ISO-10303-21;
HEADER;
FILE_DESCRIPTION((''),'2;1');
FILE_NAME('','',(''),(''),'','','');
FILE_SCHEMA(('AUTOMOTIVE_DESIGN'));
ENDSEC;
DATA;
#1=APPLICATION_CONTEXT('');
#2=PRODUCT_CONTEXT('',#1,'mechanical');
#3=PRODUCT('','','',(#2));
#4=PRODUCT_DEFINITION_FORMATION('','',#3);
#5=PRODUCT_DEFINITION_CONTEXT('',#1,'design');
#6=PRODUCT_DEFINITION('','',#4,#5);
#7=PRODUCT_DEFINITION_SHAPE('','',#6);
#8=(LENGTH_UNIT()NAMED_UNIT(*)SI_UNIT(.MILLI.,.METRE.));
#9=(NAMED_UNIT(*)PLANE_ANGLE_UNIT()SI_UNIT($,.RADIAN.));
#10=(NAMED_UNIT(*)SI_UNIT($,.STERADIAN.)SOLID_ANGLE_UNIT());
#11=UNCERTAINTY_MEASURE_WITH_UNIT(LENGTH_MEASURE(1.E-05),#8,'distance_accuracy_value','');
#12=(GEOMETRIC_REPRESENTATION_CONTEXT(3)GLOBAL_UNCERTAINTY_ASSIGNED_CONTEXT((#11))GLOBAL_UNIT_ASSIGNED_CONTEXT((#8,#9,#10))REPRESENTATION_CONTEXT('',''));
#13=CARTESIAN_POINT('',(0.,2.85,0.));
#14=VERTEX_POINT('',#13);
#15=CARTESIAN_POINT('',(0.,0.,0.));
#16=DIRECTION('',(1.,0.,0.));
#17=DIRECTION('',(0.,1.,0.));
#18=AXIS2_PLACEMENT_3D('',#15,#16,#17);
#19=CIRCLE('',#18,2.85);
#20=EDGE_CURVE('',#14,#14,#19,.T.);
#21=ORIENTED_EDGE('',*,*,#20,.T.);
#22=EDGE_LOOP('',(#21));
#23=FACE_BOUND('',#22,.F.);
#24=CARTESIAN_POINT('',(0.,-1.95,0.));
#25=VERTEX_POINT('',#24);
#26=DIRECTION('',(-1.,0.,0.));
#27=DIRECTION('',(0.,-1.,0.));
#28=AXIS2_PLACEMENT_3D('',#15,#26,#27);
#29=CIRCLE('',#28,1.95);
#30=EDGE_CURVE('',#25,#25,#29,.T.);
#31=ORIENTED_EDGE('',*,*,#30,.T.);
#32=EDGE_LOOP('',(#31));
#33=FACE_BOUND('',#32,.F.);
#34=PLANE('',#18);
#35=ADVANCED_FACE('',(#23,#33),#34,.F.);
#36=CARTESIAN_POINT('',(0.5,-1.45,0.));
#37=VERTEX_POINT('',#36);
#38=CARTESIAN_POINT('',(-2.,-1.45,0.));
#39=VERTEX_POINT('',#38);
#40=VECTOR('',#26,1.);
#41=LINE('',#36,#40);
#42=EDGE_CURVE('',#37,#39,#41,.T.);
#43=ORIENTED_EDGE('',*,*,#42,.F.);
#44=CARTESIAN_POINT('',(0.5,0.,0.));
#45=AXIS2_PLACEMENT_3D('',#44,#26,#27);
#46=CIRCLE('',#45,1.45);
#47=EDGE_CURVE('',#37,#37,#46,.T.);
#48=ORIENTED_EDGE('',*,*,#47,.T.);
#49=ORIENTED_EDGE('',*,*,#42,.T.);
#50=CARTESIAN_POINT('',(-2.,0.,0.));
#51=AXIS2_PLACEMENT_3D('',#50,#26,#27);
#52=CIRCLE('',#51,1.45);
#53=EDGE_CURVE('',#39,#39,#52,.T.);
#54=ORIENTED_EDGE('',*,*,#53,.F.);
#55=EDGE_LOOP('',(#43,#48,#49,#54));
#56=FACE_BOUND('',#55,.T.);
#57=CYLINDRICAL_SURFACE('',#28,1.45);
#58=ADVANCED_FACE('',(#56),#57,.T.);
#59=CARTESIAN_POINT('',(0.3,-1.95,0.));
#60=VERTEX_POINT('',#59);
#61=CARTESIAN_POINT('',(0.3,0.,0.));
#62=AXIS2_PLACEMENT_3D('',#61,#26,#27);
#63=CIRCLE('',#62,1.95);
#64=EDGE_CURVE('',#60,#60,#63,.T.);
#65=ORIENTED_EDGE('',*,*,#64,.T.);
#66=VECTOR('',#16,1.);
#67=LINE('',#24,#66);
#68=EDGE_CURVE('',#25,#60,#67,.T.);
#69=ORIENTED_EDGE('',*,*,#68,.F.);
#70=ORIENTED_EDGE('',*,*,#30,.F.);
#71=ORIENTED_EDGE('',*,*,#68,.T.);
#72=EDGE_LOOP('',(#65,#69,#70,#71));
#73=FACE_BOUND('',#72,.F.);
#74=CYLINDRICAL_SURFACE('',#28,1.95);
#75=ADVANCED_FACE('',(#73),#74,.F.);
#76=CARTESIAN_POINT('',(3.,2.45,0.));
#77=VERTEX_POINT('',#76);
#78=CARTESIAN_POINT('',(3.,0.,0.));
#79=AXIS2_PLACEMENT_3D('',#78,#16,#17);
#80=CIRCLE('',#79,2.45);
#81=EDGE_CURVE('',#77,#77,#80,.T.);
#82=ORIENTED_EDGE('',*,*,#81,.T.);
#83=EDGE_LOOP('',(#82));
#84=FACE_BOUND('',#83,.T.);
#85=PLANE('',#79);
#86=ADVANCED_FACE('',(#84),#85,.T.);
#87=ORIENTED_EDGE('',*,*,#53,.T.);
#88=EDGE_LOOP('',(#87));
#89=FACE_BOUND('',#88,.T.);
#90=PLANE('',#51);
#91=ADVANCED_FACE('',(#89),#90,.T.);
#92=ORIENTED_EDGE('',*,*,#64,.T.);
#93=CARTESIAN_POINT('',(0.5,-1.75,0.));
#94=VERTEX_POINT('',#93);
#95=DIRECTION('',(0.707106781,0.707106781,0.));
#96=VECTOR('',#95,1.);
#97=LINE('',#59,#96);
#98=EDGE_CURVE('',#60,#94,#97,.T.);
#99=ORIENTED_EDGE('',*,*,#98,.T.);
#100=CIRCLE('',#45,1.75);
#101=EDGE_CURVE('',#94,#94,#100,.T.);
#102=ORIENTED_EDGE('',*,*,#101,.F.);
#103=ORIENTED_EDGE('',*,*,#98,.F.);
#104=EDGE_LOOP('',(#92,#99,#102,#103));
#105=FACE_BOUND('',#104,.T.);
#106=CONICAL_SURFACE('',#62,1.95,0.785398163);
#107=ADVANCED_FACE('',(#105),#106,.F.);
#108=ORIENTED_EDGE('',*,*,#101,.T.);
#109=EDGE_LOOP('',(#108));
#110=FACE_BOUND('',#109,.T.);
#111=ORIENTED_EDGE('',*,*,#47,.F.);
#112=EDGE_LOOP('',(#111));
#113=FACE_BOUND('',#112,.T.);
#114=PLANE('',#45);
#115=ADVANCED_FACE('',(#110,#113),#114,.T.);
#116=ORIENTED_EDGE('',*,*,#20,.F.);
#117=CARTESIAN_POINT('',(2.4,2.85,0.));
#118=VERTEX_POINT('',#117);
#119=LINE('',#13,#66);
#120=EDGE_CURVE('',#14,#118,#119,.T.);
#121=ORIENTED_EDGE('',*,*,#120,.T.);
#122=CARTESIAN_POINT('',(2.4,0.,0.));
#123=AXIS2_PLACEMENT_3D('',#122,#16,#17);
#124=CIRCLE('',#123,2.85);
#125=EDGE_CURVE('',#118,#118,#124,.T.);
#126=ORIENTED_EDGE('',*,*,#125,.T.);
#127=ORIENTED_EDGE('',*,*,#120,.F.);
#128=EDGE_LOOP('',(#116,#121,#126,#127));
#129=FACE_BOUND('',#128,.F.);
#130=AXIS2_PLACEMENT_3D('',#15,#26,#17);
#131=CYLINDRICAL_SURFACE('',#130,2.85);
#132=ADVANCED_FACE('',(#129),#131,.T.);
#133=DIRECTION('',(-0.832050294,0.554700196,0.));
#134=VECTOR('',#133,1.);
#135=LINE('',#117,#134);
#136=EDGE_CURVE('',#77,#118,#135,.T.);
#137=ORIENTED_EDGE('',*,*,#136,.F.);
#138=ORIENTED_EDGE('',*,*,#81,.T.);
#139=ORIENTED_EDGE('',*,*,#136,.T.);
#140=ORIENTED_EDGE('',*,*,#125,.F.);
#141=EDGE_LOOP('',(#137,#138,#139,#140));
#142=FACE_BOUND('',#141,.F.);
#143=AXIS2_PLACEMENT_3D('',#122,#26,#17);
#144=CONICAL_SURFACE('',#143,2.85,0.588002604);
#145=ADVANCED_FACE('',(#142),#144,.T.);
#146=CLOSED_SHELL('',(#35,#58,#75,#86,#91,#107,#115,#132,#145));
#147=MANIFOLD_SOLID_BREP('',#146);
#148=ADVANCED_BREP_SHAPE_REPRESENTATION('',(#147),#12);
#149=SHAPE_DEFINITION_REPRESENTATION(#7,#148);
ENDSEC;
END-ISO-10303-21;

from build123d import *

# Parameters (mm, degrees)
F0_R     = 2.85
F1_DEPTH = 3
F2_SIZE2 = 0.6
F2_SIZE  = 0.4
F3_R     = 1.45
F4_DEPTH = 2
F5_R     = 1.95
F5_R_2   = 1.45
F6_DEPTH = 0.5
F7_SIZE  = 0.2


with BuildPart() as f1:
    # F0 (on Right) → F1 (new body)
    with BuildSketch(Plane.YZ):
        Circle(F0_R)
    extrude(amount=F1_DEPTH)

    # F2
    f2_edges = [f1.edges().sort_by_distance(p)[0] for p in [
        (3, -2.85, 0),
    ]]
    f2_side = f1.faces().sort_by_distance((3, 0, 0))[0]
    chamfer(f2_edges, length=F2_SIZE, length2=F2_SIZE2, reference=f2_side)

    # F3 (on face) → F4 (join)
    with BuildSketch(Plane(origin=(0, 0, 0), x_dir=(0, -1, 0), z_dir=(-1, 0, 0))):
        Circle(F3_R)
    extrude(amount=F4_DEPTH)

    # F5 (on face) → F6 (cut)
    with BuildSketch(Plane(origin=(0, 0, 0), x_dir=(0, -1, 0), z_dir=(-1, 0, 0))):
        Circle(F5_R)
        Circle(F5_R_2, mode=Mode.SUBTRACT)
    extrude(amount=-F6_DEPTH, mode=Mode.SUBTRACT)

    # F7
    f7_edges = [f1.edges().sort_by_distance(p)[0] for p in [
        (0.5, 1.95, 0),
    ]]
    chamfer(f7_edges, length=F7_SIZE)


solid = f1.part
